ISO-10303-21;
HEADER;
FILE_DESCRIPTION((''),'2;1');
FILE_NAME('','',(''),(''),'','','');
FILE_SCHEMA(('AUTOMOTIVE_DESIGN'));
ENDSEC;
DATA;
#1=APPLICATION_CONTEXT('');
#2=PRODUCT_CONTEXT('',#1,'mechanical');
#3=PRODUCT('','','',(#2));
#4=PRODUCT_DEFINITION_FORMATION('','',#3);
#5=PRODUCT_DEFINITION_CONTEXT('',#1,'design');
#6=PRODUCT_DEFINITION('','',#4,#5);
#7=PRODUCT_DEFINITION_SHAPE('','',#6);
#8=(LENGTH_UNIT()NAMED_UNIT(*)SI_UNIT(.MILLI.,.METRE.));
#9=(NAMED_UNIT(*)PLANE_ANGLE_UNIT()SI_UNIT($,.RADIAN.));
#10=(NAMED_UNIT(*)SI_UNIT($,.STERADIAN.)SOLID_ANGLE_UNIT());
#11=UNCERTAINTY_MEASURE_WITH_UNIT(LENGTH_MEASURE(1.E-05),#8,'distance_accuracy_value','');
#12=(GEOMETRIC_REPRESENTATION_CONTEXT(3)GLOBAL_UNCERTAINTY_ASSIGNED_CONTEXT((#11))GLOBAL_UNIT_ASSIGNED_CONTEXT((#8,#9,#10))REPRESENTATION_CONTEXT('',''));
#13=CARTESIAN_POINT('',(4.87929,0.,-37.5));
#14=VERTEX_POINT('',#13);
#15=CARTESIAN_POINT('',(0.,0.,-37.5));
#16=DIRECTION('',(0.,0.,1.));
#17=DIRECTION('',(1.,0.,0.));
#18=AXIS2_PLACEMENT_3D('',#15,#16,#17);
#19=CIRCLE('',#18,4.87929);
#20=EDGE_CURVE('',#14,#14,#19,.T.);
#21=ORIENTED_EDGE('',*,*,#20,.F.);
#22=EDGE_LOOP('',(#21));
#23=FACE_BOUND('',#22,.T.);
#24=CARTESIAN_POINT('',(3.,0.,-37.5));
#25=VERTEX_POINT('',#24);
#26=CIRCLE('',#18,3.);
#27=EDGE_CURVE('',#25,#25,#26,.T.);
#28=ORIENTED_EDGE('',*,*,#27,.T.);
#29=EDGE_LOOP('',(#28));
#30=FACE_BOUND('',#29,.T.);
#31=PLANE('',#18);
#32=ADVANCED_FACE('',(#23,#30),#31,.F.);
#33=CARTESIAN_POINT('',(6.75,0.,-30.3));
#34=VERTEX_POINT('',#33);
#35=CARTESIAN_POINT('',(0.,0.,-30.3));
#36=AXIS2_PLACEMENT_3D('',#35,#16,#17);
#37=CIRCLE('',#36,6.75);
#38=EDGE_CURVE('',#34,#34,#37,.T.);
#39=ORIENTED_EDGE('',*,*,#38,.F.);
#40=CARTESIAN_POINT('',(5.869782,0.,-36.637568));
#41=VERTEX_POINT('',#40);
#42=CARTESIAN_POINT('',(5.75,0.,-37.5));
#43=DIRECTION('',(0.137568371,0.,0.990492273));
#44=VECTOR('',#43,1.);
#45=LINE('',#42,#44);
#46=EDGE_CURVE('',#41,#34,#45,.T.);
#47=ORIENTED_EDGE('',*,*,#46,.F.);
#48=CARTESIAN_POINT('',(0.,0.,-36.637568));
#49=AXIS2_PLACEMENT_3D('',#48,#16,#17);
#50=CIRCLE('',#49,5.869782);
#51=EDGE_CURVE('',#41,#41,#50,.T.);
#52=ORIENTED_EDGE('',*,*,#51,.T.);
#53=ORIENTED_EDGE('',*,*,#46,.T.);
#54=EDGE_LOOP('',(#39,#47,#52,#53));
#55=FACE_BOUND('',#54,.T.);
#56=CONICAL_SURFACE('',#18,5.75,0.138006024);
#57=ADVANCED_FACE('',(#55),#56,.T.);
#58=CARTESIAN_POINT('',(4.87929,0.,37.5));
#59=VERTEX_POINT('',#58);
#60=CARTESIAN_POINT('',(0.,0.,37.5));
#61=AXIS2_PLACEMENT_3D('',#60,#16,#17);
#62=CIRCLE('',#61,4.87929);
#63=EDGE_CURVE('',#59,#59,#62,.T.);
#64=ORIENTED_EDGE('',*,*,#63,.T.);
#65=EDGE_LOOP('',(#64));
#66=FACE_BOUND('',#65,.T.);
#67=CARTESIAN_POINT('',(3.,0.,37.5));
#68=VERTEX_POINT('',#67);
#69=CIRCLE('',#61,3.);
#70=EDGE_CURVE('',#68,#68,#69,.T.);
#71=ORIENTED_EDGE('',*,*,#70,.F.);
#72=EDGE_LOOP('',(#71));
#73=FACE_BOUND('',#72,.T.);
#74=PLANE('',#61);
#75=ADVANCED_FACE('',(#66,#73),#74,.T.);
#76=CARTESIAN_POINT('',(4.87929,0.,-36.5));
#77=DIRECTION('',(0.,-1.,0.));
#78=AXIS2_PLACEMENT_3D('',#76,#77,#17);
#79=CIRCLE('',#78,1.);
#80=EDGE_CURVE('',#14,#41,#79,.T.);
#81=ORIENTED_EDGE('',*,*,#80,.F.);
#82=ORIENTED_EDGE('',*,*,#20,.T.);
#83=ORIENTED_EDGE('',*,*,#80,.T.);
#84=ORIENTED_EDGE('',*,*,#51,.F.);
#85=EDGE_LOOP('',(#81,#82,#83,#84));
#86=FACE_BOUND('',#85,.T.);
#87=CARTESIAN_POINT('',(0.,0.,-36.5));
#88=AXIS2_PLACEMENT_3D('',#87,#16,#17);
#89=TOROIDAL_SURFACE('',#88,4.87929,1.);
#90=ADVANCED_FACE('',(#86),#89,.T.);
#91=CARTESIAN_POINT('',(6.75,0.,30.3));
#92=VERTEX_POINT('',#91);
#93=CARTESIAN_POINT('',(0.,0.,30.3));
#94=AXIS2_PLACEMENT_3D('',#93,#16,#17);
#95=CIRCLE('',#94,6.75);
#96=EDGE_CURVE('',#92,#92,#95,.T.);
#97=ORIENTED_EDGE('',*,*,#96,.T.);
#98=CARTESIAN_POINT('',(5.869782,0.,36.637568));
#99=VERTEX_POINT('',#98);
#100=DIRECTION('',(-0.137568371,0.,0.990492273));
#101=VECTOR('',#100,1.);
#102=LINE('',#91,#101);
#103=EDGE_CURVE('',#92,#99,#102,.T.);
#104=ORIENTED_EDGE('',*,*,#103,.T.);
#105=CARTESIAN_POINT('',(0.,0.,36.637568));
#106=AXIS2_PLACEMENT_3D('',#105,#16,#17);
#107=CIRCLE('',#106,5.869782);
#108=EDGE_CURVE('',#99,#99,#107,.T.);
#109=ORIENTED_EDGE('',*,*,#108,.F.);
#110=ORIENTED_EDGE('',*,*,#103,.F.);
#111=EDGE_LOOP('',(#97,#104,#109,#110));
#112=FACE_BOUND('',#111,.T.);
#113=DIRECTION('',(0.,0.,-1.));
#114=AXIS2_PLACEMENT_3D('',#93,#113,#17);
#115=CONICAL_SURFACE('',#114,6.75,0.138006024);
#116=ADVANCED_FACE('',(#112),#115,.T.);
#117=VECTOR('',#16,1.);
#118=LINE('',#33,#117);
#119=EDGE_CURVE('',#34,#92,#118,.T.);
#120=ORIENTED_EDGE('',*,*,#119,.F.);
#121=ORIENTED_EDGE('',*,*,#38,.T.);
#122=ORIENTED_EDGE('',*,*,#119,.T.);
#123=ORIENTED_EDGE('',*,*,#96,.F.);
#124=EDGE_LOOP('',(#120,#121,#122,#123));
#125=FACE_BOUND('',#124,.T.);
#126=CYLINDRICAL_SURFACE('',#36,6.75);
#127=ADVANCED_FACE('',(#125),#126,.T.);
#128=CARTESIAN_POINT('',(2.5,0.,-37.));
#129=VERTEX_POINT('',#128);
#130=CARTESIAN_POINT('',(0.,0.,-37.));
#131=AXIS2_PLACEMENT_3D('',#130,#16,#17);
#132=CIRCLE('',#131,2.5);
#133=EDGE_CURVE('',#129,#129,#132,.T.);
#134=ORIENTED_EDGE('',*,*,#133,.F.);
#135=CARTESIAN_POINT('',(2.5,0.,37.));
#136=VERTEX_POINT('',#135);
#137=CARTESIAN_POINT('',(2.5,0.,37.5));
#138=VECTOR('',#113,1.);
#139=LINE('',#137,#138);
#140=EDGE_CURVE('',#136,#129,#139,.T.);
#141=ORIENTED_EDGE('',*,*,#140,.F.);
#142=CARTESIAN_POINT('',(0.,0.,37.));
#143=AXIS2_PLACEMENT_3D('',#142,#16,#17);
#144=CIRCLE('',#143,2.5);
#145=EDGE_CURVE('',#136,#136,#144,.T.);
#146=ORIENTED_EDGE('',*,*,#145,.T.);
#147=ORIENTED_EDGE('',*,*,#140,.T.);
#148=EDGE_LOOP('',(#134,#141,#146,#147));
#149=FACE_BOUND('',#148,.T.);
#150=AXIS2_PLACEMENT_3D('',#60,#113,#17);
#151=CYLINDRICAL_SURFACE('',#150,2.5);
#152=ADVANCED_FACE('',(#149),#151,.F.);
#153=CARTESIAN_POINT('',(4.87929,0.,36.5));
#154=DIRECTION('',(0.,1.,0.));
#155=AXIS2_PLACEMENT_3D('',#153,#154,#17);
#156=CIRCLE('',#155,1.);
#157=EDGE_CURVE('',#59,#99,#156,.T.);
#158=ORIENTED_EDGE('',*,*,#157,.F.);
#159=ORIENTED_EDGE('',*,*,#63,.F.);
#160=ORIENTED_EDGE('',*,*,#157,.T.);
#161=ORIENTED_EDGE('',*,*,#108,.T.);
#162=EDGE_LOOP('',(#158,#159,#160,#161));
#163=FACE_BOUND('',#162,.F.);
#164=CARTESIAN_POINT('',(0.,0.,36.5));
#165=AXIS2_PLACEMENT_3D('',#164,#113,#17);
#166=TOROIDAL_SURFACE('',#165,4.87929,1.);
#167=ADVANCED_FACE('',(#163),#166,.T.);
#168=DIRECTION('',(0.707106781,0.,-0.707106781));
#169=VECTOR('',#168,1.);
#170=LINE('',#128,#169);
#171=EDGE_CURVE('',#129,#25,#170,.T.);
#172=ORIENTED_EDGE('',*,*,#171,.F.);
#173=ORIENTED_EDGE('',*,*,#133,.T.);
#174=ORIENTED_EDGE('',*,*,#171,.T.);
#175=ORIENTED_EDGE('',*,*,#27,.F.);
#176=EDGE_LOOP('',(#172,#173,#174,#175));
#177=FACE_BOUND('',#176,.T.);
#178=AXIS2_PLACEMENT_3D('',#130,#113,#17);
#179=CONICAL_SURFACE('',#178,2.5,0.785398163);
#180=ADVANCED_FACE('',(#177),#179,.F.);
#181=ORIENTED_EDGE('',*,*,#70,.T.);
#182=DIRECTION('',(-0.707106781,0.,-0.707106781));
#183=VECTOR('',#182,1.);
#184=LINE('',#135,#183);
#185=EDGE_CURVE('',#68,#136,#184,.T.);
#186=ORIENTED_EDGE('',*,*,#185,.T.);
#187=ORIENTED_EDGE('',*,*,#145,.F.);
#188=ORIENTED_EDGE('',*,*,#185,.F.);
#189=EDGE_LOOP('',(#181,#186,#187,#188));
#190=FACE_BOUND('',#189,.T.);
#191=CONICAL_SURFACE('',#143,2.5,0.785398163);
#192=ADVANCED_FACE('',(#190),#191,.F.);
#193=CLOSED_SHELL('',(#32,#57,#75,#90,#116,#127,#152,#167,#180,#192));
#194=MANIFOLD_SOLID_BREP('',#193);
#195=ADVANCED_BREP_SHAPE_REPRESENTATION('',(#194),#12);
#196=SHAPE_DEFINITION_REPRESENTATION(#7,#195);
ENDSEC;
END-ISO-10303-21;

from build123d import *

# Parameters (mm, degrees)
F2_R    = 1
F3_SIZE = 0.5


with BuildPart() as f1:
    # F0 (on Front) → F1 (revolve)
    with BuildSketch(Plane.XZ):
        Polygon((5.75, 37.5), (2.5, 37.5), (2.5, -37.5), (5.75, -37.5), (6.75, -30.3), (6.75, 30.3), align=None)
    revolve(axis=Axis((0, 0, 0), (0, 0, 1)))

    # F2
    f2_edges = [f1.edges().sort_by_distance(p)[0] for p in [
        (-5.75, 0, 37.5),
        (-5.75, 0, -37.5),
    ]]
    fillet(f2_edges, radius=F2_R)

    # F3
    f3_edges = [f1.edges().sort_by_distance(p)[0] for p in [
        (-2.5, 0, 37.5),
        (-2.5, 0, -37.5),
    ]]
    chamfer(f3_edges, length=F3_SIZE)


solid = f1.part
